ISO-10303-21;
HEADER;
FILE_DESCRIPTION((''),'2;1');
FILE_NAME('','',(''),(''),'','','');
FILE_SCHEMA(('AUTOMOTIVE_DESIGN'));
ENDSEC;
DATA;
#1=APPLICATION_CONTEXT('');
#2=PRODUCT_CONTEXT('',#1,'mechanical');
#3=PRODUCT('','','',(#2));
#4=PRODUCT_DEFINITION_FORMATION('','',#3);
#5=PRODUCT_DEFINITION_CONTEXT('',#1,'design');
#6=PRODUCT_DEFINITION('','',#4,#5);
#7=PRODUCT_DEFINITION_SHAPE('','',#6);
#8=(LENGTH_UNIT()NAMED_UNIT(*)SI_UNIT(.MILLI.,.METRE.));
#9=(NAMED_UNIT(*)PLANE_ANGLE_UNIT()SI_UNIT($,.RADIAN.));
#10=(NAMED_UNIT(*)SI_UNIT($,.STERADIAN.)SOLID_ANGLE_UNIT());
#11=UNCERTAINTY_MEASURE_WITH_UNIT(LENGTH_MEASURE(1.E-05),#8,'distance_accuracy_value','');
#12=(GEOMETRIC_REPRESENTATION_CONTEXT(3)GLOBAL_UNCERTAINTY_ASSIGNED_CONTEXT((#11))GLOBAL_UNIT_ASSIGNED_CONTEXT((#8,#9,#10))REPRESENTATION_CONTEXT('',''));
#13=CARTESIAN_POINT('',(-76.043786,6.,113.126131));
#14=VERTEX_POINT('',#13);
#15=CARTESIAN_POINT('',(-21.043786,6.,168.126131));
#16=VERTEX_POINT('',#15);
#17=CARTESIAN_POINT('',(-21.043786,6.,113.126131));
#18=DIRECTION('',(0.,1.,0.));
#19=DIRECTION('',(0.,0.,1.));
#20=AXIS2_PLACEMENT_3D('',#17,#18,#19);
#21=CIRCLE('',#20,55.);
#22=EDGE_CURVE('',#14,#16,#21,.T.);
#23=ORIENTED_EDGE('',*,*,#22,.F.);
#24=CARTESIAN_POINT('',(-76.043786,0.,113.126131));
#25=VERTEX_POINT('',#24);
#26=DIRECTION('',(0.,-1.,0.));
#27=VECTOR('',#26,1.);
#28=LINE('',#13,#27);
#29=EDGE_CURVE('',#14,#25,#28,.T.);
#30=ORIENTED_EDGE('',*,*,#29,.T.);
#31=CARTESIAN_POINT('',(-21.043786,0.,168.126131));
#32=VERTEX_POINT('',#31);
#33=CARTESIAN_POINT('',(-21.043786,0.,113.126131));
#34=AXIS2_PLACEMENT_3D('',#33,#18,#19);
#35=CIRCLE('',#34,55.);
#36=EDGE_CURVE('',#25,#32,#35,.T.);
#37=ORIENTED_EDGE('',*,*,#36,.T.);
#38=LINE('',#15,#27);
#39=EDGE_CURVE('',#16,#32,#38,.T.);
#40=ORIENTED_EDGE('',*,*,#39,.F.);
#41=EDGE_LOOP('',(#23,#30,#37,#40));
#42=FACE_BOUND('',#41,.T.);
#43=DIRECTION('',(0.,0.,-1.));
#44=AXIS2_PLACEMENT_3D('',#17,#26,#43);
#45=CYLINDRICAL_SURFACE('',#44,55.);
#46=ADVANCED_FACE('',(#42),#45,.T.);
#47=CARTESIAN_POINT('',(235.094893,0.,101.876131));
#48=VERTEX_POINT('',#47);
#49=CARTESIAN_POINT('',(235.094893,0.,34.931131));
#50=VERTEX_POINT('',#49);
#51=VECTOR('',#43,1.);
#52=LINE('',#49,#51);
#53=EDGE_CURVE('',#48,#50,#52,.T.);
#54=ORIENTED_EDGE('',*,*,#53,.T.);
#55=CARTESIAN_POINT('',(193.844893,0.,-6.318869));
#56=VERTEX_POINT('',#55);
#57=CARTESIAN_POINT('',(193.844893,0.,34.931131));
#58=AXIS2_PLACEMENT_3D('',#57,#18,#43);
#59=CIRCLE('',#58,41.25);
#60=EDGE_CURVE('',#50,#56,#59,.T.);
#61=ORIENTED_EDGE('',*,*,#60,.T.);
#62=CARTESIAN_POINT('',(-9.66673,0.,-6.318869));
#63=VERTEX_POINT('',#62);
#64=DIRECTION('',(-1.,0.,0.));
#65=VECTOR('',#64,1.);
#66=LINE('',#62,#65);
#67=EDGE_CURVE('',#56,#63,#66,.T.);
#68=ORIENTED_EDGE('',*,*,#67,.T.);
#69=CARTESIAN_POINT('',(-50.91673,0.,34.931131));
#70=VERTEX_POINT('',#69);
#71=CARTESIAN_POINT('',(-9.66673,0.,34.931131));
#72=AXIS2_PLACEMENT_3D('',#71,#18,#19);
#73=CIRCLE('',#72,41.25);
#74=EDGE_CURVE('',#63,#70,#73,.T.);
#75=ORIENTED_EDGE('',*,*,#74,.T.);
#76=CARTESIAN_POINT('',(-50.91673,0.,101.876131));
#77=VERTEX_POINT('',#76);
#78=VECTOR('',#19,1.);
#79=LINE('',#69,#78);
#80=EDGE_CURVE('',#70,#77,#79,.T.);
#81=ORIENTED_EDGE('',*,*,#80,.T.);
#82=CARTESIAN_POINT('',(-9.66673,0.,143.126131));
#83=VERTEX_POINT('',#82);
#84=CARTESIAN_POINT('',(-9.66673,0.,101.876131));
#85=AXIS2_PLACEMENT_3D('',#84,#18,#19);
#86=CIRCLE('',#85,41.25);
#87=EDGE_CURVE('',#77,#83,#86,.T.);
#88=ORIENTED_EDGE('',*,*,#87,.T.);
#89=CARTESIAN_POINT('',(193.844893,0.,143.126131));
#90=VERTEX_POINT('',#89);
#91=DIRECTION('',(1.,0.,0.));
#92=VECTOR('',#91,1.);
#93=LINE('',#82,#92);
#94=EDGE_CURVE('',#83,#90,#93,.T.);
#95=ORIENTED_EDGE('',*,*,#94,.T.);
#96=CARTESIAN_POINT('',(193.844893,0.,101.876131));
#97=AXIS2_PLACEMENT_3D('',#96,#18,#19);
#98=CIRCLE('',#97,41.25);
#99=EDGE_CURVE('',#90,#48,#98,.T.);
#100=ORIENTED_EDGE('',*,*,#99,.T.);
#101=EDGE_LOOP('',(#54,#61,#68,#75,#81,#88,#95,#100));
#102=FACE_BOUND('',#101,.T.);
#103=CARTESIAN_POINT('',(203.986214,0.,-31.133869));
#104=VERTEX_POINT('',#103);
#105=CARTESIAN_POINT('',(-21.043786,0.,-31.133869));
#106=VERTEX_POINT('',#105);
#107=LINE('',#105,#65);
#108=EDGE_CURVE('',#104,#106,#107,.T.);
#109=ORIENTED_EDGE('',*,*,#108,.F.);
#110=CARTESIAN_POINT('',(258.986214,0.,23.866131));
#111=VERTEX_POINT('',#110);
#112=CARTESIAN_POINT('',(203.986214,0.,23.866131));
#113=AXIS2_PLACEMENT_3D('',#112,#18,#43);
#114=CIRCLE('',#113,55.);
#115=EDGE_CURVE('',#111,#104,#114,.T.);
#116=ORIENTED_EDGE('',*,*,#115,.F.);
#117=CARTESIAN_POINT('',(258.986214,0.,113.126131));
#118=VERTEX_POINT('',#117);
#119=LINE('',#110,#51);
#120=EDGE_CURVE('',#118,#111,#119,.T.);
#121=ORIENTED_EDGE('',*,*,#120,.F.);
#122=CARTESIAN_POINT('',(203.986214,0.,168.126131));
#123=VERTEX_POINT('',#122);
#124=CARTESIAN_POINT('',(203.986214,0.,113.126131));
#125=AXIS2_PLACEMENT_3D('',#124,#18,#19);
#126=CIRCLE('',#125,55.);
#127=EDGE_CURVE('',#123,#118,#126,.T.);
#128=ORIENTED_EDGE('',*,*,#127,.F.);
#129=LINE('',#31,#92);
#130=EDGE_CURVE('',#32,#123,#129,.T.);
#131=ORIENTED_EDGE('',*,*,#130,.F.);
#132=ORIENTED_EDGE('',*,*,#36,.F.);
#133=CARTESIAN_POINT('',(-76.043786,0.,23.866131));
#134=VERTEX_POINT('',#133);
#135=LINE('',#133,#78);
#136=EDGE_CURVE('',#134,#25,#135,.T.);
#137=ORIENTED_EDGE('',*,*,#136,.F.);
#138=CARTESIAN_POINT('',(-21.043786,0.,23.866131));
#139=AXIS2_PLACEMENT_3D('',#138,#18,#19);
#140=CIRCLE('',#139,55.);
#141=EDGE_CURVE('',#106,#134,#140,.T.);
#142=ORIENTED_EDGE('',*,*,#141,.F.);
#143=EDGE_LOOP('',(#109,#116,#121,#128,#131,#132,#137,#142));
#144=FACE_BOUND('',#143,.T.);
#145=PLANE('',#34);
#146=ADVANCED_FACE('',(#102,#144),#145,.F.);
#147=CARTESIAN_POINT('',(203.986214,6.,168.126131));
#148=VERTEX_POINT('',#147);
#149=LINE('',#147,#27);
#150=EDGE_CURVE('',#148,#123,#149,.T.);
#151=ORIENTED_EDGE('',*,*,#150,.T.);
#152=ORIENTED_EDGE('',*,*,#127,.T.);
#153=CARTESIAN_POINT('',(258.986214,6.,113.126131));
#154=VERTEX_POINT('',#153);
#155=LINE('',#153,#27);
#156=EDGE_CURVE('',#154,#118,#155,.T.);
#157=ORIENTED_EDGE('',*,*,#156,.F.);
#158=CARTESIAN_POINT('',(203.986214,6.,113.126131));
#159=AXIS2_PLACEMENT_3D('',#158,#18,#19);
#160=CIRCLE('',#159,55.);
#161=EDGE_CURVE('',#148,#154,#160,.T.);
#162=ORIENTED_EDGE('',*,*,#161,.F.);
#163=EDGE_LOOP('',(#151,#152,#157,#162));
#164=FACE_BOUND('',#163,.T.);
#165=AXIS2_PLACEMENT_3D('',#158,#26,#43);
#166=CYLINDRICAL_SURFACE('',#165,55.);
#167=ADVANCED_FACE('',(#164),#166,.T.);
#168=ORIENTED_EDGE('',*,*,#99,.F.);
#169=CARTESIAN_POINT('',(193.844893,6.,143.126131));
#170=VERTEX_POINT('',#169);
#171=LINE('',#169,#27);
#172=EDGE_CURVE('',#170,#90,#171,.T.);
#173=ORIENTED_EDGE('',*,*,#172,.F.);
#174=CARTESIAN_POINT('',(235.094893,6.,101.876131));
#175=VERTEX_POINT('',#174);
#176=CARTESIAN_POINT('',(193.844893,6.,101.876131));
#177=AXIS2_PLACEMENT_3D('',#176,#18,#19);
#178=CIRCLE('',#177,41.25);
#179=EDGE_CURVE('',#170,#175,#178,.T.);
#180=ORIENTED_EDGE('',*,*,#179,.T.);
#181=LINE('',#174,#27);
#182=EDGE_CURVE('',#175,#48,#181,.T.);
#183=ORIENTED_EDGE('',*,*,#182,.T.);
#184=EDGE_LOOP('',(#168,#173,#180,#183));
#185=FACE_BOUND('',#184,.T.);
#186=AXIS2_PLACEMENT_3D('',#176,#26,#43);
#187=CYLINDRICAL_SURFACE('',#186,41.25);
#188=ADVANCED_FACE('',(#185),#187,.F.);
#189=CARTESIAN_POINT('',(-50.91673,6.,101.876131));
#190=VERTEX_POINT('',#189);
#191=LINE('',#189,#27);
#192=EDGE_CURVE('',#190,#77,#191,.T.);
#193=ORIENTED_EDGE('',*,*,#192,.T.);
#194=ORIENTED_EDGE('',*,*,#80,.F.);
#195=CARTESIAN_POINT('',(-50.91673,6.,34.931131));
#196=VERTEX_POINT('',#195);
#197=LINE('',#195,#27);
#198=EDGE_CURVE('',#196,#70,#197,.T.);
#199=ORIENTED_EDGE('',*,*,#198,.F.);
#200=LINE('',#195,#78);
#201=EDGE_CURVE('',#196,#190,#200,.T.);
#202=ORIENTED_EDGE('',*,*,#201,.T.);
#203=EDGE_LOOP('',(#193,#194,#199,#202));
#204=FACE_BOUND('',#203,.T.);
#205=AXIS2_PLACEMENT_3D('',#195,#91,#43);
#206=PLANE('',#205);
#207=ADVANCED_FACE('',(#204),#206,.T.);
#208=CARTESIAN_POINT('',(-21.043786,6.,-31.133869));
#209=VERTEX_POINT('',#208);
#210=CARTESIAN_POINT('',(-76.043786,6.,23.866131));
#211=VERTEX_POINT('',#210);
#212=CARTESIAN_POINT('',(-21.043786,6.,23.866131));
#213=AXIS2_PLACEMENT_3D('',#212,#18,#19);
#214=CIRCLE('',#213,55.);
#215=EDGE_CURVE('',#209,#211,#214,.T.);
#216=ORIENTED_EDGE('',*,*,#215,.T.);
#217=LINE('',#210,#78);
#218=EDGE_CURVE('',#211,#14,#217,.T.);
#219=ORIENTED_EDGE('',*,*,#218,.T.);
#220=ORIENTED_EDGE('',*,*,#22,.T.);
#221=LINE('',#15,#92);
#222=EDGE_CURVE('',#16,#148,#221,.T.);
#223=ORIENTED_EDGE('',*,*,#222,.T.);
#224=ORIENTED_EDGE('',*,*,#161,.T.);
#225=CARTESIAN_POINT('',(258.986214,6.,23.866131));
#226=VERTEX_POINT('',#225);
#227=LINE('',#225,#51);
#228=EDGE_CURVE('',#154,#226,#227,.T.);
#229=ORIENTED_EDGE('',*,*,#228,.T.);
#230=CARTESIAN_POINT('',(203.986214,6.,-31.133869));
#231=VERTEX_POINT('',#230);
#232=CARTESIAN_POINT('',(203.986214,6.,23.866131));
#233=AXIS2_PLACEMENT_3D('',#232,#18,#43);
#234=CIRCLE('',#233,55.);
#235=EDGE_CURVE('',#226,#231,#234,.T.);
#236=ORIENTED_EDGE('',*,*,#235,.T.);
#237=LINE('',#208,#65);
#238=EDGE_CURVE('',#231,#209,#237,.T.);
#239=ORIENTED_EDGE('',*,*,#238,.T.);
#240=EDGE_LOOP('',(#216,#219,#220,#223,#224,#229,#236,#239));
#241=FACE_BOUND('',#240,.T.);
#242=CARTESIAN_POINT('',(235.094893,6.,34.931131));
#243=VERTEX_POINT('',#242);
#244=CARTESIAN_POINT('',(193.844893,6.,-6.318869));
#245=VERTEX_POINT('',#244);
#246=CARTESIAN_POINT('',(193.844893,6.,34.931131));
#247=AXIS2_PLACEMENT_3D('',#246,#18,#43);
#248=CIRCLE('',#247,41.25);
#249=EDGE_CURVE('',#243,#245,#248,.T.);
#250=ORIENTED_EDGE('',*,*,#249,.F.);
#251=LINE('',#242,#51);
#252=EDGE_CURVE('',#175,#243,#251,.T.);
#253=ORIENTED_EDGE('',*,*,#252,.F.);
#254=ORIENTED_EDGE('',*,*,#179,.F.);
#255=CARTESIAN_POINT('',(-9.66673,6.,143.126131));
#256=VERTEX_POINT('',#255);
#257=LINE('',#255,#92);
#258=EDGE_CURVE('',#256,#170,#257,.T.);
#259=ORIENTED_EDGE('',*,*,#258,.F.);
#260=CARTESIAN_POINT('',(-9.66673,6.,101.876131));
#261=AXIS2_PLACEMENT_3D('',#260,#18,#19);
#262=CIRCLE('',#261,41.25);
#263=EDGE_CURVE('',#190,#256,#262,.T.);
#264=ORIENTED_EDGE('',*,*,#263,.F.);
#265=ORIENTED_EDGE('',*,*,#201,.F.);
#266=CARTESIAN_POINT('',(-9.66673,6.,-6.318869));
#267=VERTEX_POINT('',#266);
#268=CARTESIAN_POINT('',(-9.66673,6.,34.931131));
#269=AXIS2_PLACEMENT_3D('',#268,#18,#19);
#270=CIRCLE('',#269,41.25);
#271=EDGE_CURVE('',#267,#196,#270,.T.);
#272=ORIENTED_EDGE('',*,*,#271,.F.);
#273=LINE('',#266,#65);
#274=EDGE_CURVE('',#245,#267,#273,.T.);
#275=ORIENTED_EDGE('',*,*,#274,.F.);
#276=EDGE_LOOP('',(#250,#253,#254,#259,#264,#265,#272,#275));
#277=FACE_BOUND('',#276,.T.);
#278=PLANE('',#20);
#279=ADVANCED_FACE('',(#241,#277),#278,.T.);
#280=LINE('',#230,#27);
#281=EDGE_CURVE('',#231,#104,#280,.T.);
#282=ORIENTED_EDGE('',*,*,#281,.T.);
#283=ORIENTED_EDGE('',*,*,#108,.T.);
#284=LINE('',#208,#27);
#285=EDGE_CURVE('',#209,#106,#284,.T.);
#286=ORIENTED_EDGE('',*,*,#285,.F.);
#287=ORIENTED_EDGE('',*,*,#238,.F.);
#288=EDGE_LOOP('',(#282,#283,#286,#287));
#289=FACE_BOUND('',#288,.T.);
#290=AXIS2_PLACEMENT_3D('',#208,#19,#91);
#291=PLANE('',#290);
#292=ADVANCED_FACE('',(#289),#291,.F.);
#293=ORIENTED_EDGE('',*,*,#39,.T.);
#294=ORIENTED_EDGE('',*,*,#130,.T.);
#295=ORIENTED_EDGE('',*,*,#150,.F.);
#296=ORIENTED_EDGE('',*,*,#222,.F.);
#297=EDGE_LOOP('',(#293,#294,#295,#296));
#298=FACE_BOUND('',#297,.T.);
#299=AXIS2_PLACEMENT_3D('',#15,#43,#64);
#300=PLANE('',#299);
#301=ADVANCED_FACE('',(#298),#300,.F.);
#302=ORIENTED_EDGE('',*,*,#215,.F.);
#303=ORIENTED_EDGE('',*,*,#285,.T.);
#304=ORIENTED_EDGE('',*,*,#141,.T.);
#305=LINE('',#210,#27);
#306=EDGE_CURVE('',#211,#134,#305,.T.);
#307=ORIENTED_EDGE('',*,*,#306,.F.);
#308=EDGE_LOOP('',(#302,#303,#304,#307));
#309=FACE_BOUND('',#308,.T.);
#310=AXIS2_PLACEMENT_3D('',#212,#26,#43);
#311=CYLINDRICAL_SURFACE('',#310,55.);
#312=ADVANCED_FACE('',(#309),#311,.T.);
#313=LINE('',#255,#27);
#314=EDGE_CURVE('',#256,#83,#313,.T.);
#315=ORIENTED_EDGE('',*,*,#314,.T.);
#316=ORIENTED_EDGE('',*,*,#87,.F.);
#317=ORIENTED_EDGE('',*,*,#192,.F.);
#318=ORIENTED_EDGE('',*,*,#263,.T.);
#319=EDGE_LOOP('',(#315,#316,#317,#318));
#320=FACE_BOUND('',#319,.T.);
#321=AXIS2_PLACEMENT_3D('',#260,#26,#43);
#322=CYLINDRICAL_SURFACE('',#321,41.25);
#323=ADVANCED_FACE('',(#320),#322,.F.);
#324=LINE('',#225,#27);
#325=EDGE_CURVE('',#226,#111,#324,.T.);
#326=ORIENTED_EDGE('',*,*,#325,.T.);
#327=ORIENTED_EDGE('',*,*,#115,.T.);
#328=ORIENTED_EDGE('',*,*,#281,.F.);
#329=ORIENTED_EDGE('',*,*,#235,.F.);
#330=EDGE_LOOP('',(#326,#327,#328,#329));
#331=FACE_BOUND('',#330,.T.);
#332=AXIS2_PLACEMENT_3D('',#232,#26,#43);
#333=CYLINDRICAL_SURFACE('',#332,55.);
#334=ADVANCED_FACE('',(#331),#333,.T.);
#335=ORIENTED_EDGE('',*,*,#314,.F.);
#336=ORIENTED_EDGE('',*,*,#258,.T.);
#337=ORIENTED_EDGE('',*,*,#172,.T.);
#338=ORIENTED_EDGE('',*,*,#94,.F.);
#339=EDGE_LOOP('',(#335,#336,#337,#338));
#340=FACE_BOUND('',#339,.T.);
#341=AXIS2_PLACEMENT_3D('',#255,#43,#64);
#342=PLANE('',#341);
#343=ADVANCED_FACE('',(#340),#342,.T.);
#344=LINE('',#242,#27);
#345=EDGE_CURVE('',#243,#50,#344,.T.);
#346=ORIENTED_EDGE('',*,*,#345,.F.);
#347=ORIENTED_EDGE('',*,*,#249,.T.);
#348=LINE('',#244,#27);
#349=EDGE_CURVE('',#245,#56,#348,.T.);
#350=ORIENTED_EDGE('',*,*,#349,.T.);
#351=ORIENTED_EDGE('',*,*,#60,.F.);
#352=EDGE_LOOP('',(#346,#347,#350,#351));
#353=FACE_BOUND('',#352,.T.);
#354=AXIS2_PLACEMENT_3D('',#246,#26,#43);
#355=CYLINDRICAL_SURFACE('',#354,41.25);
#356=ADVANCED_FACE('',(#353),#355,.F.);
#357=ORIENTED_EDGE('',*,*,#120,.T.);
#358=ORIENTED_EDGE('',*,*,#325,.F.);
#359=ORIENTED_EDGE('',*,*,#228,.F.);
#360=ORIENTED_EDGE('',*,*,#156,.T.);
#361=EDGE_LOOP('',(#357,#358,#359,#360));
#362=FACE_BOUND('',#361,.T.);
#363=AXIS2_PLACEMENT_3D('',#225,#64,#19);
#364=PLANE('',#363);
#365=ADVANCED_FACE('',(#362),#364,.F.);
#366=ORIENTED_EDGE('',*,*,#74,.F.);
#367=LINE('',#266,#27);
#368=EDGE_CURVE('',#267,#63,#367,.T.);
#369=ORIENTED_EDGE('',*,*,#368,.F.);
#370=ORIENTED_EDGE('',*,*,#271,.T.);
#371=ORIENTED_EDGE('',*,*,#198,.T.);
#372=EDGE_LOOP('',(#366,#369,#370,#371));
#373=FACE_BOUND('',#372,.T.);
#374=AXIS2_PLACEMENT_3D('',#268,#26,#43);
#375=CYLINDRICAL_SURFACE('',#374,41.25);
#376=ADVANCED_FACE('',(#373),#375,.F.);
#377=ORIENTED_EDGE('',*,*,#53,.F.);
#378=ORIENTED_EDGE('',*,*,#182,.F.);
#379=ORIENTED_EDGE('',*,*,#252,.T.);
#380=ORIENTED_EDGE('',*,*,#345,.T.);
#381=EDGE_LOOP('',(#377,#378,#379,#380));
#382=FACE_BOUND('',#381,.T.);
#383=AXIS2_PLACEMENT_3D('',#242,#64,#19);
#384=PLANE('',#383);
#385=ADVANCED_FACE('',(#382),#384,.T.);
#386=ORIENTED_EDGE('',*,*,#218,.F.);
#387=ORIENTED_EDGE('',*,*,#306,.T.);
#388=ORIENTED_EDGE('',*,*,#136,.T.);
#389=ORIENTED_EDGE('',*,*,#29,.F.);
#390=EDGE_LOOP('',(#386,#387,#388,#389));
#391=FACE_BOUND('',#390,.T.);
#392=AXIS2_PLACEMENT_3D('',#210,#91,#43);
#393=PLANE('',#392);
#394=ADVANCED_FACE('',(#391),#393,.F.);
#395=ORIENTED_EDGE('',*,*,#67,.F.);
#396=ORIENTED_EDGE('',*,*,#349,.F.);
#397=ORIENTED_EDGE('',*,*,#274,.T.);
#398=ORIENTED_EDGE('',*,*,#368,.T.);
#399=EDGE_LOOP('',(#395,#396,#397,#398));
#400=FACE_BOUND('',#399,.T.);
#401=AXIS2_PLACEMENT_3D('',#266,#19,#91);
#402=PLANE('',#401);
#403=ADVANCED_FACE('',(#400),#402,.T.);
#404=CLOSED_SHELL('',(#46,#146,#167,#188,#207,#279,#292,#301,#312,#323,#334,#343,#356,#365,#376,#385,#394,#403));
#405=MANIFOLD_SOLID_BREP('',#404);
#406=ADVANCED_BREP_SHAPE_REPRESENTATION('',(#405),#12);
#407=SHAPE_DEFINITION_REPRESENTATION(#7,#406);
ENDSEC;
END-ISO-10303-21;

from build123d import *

# Parameters (mm, degrees)
BOSS_EXTRUDE1_DEPTH = 6


with BuildPart() as part:
    # Sketch2 → Boss-Extrude1 (new body)
    with BuildSketch(Plane(origin=(0, 0, 0), x_dir=(1, 0, 0), z_dir=(0, 1, 0))):
        with BuildLine():
            Line((-21.04378644, 31.133869086), (203.98621356, 31.133869086))
            ThreePointArc((203.98621356, 31.133869086), (242.877086526, 15.024742051), (258.98621356, -23.866130914))
            Line((258.98621356, -23.866130914), (258.98621356, -113.126130914))
            ThreePointArc((258.98621356, -113.126130914), (242.877086526, -152.01700388), (203.98621356, -168.126130914))
            Line((203.98621356, -168.126130914), (-21.04378644, -168.126130914))
            ThreePointArc((-21.04378644, -168.126130914), (-59.934659405, -152.01700388), (-76.04378644, -113.126130914))
            Line((-76.04378644, -113.126130914), (-76.04378644, -23.866130914))
            ThreePointArc((-76.04378644, -23.866130914), (-59.934659405, 15.024742051), (-21.04378644, 31.133869086))
        make_face()
        with BuildLine():
            Line((-9.666729832, 6.318869086), (193.844893331, 6.318869086))
            ThreePointArc((193.844893331, 6.318869086), (223.013048055, -5.76297619), (235.094893331, -34.931130914))
            Line((235.094893331, -34.931130914), (235.094893331, -101.876130914))
            ThreePointArc((235.094893331, -101.876130914), (223.013048055, -131.044285638), (193.844893331, -143.126130914))
            Line((193.844893331, -143.126130914), (-9.666729832, -143.126130914))
            ThreePointArc((-9.666729832, -143.126130914), (-38.834884556, -131.044285638), (-50.916729832, -101.876130914))
            Line((-50.916729832, -101.876130914), (-50.916729832, -34.931130914))
            ThreePointArc((-50.916729832, -34.931130914), (-38.834884556, -5.76297619), (-9.666729832, 6.318869086))
        make_face(mode=Mode.SUBTRACT)
    extrude(amount=BOSS_EXTRUDE1_DEPTH)


solid = part.part
